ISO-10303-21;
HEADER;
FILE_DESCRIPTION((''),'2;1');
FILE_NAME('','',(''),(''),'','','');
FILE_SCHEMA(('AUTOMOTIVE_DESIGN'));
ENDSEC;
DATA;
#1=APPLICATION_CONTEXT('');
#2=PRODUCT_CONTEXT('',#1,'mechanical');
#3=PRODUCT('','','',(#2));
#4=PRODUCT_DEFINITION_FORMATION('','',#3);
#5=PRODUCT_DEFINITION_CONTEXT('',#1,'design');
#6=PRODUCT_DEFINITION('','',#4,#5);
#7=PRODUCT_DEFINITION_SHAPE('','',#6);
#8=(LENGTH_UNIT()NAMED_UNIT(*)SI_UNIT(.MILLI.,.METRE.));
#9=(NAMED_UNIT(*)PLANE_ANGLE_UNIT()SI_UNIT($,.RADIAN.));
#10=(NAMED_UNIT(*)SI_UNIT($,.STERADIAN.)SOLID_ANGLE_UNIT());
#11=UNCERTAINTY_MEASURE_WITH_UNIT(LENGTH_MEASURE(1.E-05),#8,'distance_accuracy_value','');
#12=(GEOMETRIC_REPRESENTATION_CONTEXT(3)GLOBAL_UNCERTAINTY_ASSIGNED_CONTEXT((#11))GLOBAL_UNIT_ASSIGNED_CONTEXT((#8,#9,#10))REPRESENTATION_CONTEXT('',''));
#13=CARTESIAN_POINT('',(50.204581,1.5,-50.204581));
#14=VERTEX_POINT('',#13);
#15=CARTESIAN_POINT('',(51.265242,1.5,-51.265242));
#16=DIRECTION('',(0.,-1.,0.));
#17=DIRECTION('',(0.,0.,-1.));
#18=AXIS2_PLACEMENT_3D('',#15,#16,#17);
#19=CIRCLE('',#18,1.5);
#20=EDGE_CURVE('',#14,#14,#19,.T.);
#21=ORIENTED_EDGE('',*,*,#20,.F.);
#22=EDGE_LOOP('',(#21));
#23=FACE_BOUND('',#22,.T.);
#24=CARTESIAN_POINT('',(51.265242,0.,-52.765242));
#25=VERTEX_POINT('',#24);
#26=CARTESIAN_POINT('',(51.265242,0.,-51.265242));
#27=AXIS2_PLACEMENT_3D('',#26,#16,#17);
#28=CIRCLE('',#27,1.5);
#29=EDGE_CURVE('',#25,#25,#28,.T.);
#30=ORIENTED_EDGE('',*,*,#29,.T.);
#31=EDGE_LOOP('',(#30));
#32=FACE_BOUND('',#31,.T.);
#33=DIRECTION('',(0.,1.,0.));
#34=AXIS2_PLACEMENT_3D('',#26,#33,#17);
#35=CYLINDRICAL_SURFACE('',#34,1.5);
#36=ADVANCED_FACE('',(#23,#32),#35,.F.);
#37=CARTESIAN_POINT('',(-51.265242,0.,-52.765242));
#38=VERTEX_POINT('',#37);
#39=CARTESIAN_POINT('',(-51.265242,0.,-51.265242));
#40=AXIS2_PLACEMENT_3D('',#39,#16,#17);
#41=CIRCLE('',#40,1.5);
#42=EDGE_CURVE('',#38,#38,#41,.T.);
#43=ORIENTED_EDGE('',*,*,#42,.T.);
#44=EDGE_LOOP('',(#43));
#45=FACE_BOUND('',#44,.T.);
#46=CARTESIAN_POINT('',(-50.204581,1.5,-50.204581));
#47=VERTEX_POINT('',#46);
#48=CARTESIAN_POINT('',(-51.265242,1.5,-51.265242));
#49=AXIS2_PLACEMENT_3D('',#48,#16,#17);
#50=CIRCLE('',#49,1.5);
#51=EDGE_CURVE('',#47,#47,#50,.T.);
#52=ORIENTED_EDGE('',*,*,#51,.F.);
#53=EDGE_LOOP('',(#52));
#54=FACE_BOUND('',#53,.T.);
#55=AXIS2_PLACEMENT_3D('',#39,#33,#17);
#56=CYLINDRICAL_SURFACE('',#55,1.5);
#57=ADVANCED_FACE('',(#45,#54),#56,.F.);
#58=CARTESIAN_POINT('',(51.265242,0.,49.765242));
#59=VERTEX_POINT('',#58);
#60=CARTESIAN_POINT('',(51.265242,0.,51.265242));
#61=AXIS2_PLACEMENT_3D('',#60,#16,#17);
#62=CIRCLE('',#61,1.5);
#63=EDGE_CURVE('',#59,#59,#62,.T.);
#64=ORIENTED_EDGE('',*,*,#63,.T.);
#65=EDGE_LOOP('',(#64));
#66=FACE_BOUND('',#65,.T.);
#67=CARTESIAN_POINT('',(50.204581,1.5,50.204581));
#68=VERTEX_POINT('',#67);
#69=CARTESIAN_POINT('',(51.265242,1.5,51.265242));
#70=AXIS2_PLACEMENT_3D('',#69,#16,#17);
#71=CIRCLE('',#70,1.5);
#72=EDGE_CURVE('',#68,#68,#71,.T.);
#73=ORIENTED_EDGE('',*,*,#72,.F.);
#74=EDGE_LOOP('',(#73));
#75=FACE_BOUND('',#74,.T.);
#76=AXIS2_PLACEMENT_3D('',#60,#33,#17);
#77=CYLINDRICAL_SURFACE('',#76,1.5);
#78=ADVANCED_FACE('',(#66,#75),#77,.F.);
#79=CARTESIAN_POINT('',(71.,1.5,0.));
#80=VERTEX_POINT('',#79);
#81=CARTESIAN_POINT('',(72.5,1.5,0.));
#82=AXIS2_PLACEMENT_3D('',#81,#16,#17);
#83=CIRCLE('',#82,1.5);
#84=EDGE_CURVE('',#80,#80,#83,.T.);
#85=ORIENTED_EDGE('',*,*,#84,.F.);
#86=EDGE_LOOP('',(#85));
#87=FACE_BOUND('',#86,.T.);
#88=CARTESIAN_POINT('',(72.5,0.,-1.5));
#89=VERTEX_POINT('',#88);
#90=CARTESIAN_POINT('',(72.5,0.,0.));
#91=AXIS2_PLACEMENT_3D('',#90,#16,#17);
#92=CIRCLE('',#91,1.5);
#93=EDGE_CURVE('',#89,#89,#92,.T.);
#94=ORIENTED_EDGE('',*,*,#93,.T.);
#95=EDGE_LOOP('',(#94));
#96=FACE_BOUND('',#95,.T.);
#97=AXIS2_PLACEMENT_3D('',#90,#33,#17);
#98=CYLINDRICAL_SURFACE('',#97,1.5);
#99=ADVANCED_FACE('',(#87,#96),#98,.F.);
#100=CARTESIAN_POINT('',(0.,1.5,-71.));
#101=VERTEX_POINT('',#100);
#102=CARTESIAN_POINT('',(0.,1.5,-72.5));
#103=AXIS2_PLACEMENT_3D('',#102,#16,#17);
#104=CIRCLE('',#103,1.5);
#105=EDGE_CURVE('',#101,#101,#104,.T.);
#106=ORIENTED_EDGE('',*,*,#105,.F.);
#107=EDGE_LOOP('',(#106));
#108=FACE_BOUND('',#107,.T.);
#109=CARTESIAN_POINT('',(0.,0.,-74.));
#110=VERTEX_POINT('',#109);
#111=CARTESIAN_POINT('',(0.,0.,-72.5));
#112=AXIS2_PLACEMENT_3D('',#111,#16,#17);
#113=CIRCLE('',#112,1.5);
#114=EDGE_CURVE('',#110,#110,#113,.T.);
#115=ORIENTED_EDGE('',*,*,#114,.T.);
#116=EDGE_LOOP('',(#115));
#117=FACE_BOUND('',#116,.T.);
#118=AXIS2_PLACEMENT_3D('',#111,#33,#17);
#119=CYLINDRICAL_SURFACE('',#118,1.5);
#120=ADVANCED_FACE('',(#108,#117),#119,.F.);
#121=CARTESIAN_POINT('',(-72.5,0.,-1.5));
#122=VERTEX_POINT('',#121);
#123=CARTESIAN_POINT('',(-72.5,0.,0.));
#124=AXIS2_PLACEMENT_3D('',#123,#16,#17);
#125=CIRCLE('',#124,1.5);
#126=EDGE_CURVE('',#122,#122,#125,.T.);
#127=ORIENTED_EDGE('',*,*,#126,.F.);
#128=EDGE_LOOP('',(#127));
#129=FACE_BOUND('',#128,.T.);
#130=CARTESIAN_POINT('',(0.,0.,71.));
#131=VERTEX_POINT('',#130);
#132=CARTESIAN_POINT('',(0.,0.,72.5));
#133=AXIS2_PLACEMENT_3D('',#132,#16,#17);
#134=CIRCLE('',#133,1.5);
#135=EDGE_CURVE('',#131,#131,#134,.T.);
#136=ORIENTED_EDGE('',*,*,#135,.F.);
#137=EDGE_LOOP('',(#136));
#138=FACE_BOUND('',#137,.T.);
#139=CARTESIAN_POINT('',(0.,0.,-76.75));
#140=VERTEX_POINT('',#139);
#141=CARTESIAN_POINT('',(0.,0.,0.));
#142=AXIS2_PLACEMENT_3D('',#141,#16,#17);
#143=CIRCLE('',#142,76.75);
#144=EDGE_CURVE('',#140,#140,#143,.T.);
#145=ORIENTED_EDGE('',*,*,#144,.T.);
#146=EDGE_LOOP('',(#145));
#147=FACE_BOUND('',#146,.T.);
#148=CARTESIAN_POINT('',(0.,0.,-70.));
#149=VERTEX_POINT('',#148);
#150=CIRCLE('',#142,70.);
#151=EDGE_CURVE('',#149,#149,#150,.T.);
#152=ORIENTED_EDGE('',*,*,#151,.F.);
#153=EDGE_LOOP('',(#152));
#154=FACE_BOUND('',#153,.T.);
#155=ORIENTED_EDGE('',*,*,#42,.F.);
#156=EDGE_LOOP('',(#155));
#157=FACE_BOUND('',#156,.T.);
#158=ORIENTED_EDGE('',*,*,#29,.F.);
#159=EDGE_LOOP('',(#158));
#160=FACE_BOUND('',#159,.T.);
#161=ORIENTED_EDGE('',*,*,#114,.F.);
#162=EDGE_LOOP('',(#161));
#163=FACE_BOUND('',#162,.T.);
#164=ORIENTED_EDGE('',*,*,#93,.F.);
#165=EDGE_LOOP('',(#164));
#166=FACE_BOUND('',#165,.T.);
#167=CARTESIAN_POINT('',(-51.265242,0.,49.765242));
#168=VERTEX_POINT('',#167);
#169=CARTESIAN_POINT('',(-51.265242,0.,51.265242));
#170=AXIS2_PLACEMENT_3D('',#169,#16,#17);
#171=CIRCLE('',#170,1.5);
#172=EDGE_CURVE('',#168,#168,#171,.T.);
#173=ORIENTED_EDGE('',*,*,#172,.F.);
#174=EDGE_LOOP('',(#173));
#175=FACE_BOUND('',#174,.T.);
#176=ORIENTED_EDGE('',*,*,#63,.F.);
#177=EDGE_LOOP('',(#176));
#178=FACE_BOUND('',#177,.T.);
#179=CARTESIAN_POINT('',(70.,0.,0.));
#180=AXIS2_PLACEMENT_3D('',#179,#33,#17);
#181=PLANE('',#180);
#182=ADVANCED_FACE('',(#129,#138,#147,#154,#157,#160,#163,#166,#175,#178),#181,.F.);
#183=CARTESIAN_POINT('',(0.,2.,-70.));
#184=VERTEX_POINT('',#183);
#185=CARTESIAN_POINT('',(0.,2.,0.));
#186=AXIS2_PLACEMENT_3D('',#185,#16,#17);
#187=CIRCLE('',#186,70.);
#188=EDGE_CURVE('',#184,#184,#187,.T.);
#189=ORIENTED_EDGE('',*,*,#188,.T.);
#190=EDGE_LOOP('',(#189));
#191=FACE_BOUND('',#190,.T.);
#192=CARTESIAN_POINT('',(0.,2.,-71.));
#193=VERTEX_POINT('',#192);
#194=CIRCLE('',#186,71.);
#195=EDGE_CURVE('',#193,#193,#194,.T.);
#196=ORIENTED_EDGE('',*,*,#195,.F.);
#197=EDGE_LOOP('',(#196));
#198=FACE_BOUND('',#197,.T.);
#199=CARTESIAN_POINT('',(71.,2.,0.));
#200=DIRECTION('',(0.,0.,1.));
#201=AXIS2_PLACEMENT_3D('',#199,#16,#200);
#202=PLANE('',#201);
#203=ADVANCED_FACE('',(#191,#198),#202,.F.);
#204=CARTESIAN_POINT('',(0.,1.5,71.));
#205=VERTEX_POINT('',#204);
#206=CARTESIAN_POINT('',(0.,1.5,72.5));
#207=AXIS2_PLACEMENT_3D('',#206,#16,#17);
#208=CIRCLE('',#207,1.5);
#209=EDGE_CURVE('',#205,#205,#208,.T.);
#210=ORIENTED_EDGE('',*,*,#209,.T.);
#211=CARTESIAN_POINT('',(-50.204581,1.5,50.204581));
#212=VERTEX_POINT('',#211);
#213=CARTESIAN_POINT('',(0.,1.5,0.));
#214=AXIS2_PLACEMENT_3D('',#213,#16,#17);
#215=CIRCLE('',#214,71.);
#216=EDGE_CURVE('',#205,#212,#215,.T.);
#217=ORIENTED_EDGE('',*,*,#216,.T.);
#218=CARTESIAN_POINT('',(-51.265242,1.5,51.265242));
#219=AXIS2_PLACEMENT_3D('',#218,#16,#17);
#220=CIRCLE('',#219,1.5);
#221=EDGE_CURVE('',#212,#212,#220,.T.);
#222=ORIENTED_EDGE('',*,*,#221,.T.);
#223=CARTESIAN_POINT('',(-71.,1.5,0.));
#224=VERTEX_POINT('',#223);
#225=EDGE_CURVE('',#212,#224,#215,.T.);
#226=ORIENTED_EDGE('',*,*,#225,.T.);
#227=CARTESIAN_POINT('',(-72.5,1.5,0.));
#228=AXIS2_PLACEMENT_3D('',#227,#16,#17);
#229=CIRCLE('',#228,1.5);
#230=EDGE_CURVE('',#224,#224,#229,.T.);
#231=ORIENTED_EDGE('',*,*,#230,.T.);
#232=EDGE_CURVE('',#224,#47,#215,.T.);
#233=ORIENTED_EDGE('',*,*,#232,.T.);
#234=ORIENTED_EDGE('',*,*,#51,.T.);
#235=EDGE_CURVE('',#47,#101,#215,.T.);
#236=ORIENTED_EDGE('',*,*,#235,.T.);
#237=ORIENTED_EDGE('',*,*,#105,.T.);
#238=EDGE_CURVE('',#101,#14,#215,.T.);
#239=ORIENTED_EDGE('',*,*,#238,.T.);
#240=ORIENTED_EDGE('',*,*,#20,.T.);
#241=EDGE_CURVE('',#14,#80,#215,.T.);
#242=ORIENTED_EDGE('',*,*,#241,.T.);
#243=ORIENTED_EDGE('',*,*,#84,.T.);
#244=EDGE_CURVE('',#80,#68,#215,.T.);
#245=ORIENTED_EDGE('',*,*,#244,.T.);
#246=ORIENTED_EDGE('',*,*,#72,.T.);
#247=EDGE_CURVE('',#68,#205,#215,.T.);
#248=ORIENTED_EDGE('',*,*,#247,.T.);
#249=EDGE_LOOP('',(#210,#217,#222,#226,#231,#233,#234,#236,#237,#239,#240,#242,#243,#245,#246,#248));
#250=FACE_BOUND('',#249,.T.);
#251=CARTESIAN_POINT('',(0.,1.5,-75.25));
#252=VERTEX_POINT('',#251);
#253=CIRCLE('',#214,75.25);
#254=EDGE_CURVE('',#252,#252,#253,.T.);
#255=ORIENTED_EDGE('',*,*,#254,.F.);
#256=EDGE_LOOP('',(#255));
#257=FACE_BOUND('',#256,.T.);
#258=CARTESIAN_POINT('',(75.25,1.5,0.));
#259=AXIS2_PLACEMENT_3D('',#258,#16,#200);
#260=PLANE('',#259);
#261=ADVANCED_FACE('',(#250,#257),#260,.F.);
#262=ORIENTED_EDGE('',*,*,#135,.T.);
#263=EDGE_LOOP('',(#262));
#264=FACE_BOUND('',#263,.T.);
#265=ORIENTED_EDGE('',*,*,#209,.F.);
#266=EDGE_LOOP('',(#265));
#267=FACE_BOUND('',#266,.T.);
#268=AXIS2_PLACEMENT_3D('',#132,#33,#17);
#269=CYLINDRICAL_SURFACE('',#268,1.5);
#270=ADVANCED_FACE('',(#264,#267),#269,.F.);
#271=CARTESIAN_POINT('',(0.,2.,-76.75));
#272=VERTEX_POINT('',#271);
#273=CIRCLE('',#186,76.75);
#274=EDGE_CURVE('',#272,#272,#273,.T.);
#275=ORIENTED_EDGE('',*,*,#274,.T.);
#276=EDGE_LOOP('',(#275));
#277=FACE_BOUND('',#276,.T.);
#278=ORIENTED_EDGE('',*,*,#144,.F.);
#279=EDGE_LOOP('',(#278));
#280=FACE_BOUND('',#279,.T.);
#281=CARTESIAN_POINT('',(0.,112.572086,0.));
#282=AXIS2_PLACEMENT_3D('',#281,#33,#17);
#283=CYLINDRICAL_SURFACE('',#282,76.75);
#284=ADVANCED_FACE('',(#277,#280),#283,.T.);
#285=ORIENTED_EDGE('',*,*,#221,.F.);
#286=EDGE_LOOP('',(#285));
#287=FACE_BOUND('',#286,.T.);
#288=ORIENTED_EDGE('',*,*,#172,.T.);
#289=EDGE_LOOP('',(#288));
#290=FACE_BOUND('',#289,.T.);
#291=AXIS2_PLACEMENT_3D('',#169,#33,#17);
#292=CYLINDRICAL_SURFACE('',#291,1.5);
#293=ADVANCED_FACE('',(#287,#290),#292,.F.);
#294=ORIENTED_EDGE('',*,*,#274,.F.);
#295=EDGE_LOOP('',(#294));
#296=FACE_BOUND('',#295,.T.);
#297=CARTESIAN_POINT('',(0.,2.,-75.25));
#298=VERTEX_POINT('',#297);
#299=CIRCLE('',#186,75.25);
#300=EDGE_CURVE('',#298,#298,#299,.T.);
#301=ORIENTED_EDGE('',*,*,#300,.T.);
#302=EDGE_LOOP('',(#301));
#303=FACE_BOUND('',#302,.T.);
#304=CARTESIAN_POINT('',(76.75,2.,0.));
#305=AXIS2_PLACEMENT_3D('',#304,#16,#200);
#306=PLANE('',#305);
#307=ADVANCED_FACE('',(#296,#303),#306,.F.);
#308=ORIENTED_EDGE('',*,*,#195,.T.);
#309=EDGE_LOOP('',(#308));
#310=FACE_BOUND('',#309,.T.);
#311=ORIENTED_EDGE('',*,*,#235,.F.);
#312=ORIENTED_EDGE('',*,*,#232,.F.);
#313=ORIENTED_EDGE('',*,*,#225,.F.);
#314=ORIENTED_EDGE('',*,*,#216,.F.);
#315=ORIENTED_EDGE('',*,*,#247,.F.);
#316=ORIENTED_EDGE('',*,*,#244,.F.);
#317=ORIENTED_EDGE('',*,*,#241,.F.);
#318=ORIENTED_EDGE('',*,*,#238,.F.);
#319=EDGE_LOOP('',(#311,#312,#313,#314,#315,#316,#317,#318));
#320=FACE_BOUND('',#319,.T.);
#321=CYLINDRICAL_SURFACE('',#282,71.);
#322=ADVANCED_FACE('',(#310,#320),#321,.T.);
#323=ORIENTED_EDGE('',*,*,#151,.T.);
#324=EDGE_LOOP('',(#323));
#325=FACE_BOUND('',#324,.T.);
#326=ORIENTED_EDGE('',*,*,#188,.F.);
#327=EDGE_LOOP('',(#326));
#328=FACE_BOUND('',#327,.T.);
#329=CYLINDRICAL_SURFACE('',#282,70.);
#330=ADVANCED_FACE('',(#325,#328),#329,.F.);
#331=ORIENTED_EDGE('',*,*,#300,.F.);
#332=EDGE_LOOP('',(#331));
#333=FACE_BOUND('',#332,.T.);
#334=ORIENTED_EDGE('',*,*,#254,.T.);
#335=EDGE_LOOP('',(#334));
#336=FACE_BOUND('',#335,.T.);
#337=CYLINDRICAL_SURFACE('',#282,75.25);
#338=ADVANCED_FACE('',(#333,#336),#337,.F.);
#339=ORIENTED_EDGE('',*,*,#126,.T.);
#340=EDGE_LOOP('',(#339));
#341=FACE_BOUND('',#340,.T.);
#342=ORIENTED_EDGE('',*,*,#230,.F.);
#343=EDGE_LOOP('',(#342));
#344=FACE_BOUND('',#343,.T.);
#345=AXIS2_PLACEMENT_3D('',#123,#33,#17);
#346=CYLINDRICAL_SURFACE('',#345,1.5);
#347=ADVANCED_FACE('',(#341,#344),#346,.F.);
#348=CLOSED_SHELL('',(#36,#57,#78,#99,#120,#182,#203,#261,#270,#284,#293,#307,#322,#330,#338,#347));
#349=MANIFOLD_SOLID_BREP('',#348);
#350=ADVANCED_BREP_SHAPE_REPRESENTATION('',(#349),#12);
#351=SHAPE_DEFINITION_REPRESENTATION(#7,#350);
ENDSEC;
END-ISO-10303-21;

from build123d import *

# Parameters (mm, degrees)
SKETCH_2_R          = 1.5
CUT_EXTRUDE_1_DEPTH = 109.551255175


with BuildPart() as part:
    # 草图1 → 旋转1 (revolve)
    with BuildSketch(Plane.XY, mode=Mode.PRIVATE) as revolve_1_sk:
        Polygon((70, 0), (76.75, 0), (76.75, 2), (75.25, 2), (75.25, 1.5), (71, 1.5), (71, 2), (70, 2), align=None)
    revolve(revolve_1_sk.sketch.rotate(Axis((0, 112.572086065, 0), (0, -1, 0)), 90), axis=Axis((0, 112.572086065, 0), (0, -1, 0)))

    # 草图2 → 切除-拉伸1 (cut, through all)
    with BuildSketch(Plane(origin=(0, 1.5, 0), x_dir=(1, 0, 0), z_dir=(0, 1, 0))):
        with Locations(Location((0, 72.5, 0), (0, 0, 270))):
            Circle(SKETCH_2_R)
        with Locations(Location((51.265241636, 51.265241636, 0), (0, 0, 270))):
            Circle(SKETCH_2_R)
        with Locations(Location((72.5, 0, 0), (0, 0, 270))):
            Circle(SKETCH_2_R)
        with Locations(Location((51.265241636, -51.265241636, 0), (0, 0, 270))):
            Circle(SKETCH_2_R)
        with Locations(Location((0, -72.5, 0), (0, 0, 270))):
            Circle(SKETCH_2_R)
        with Locations(Location((-51.265241636, -51.265241636, 0), (0, 0, 270))):
            Circle(SKETCH_2_R)
        with Locations(Location((-72.5, 0, 0), (0, 0, 270))):
            Circle(SKETCH_2_R)
        with Locations(Location((-51.265241636, 51.265241636, 0), (0, 0, 270))):
            Circle(SKETCH_2_R)
    extrude(amount=-CUT_EXTRUDE_1_DEPTH, mode=Mode.SUBTRACT)


solid = part.part
